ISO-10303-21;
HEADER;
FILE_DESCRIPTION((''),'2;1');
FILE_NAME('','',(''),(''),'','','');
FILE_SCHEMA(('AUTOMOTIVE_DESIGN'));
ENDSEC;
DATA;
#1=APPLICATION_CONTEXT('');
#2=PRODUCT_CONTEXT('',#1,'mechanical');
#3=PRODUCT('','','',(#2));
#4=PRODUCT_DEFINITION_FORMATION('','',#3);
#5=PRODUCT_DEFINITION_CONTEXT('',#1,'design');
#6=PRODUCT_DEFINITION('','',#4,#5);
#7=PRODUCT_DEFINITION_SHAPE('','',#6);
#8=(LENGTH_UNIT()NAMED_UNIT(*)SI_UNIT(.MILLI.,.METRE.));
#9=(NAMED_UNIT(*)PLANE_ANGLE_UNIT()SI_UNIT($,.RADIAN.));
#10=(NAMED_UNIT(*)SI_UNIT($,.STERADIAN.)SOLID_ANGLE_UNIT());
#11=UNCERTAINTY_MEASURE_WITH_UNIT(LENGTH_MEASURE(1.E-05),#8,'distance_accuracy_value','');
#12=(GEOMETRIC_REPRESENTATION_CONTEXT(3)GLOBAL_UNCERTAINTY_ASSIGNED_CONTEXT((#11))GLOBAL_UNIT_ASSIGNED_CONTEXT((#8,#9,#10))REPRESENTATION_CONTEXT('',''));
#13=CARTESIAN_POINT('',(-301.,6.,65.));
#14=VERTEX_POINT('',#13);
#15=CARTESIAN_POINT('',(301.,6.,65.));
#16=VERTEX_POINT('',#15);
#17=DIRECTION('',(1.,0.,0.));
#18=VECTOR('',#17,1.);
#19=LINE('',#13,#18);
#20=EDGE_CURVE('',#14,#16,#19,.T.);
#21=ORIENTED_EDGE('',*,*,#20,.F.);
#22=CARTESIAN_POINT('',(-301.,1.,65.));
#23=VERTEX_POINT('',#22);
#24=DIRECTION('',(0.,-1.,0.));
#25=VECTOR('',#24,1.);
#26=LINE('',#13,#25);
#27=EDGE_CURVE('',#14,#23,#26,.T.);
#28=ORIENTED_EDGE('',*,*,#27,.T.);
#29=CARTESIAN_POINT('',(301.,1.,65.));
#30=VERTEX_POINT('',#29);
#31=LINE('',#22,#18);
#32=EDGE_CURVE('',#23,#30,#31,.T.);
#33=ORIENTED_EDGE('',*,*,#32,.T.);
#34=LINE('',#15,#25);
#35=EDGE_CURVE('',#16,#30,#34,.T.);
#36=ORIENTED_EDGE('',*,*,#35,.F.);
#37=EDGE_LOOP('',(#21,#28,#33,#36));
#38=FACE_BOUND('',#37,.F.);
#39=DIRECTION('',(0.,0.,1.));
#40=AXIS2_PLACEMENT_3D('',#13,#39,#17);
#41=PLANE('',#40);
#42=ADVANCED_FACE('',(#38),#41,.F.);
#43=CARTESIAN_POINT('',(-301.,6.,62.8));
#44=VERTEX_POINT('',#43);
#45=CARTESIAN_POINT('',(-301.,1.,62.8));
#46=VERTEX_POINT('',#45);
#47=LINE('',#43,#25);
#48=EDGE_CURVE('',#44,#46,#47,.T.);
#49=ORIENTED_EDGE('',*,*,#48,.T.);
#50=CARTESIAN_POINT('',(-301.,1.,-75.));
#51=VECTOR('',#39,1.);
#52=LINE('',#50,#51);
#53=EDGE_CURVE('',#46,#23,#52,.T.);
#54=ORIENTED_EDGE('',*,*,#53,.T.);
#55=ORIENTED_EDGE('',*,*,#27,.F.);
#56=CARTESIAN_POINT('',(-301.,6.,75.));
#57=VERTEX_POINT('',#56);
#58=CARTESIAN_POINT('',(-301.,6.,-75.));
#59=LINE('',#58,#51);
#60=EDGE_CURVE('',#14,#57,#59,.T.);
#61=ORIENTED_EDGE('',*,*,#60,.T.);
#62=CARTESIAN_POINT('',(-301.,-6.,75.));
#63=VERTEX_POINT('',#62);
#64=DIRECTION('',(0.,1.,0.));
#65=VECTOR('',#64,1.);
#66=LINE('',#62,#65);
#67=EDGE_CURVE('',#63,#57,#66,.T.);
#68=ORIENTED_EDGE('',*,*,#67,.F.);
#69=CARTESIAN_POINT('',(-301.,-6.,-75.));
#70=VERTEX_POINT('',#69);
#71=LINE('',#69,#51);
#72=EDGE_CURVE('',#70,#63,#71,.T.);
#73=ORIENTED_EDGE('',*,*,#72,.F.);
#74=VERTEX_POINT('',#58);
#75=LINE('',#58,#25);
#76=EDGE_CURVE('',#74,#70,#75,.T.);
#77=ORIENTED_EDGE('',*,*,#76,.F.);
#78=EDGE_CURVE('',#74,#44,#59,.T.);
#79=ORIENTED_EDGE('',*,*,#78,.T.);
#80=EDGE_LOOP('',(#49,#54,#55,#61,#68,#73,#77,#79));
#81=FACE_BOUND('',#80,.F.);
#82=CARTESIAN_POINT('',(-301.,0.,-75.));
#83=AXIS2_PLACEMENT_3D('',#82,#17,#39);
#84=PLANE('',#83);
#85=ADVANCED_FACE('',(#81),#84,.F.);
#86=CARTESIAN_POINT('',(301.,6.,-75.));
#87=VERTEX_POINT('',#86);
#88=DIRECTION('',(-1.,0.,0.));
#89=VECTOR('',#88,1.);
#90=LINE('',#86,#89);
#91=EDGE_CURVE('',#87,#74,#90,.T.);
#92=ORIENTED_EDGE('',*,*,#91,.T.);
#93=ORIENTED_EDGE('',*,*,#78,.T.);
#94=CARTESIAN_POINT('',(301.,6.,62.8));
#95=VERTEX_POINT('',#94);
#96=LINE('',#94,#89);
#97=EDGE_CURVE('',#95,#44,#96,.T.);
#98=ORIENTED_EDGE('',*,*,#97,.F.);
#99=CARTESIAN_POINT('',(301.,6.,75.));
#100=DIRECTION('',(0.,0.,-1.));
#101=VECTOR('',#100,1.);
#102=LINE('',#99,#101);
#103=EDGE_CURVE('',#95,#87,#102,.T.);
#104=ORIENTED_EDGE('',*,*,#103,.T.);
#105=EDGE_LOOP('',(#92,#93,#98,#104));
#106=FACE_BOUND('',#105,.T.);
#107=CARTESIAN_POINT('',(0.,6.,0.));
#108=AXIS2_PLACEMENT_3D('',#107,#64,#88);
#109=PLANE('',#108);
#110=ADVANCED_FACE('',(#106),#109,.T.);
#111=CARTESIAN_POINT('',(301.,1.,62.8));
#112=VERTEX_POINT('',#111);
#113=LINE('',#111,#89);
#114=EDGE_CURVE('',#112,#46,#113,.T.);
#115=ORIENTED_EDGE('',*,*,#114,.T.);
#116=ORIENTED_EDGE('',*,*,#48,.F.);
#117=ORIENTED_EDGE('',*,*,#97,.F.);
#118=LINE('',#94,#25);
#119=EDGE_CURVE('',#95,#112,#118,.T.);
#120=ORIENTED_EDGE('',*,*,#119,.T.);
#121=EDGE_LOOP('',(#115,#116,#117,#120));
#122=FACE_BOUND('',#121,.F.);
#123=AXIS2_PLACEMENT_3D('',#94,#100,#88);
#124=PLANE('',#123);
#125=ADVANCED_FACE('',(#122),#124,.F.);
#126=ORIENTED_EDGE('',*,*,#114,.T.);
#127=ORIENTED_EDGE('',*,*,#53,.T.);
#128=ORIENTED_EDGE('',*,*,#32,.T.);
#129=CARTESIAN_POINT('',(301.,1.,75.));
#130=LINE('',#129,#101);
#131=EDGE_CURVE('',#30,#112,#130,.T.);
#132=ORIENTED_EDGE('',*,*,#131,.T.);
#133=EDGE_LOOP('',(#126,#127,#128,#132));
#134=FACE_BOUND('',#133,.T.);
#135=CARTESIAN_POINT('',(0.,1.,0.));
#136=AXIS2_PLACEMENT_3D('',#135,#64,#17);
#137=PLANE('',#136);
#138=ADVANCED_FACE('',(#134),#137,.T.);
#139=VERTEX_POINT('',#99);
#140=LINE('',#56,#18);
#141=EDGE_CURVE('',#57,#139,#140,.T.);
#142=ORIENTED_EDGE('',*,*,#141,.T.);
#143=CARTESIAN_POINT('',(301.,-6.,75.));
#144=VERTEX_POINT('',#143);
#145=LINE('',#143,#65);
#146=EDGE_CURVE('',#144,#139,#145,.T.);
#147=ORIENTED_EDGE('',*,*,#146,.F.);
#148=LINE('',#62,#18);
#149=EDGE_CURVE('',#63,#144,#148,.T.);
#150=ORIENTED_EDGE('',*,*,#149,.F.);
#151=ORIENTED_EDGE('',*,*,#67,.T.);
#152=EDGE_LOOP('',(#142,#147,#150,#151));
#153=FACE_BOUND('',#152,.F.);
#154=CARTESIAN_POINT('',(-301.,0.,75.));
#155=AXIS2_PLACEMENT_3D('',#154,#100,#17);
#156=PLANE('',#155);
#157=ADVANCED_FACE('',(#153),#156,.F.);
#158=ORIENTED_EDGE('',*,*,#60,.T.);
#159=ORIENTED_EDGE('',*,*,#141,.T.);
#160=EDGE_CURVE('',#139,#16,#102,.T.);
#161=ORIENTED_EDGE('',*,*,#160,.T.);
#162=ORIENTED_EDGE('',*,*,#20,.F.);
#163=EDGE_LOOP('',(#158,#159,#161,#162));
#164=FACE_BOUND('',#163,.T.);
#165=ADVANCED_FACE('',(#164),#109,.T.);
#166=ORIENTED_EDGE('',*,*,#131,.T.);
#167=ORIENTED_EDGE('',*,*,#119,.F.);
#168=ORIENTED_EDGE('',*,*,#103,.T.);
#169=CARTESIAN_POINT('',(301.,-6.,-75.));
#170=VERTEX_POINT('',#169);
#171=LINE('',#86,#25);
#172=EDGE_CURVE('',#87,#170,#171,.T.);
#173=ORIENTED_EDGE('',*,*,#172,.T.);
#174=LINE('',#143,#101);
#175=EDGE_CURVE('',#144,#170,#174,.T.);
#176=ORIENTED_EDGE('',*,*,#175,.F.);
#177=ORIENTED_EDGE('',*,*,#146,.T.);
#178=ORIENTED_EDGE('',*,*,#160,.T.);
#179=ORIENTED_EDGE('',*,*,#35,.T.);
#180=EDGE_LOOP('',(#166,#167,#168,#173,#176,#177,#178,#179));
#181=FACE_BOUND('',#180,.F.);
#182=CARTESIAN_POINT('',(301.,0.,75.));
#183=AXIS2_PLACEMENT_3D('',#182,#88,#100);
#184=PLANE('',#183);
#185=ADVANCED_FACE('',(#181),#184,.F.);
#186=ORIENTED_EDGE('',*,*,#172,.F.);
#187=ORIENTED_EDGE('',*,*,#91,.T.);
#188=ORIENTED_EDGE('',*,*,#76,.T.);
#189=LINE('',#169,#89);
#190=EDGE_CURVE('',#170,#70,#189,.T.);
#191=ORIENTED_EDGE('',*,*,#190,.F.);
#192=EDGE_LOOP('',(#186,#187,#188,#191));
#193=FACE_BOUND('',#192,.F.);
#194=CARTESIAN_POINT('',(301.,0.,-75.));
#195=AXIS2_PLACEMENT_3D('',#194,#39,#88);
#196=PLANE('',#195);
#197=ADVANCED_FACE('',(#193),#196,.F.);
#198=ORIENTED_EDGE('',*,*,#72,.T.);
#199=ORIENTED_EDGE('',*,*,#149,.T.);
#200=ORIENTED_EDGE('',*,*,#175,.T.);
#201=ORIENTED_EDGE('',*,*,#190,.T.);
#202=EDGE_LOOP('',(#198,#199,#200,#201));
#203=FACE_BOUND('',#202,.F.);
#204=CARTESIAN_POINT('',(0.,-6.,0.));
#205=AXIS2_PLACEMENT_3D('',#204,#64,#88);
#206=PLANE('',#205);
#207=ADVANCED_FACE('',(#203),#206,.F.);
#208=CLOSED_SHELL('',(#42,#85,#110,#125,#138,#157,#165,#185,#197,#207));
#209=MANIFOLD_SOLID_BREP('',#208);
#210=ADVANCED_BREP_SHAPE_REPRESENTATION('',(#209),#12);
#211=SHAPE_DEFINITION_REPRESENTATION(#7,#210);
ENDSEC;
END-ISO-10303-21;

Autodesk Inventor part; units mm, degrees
ref_plane "YZ Plane" through (0, 0, 0) normal (1, 0, 0) x (0, 1, 0)
ref_plane "XZ Plane" through (0, 0, 0) normal (0, 1, 0) x (-1, 0, 0)
ref_plane "XY Plane" through (0, 0, 0) normal (0, 0, 1) x (1, 0, 0)
sketch "Skizze1" plane through (0, 0, 0) normal (0, 1, 0) x (-1, 0, 0)
  line L0 (301, 75) -> (-301, 75)
  line L1 (-301, 75) -> (-301, -75)
  line L2 (-301, -75) -> (301, -75)
  line L3 (301, -75) -> (301, 75)
  point P0 (0, 0)
  point P1 (0, -75)
  point P2 (301, 0)
  dimension "d0" = 602
  dimension "d1" = 150
extrude "Extrusion1" add sketch "Skizze1" along normal mid plane 12
sketch "Skizze2" plane through (0, 6, 0) normal (0, 1, 0) x (1, 0, 0)
  line L0 (-301, 75) -> (-301, -75) projected
  line L1 (301, -75) -> (301, 75) projected
  line L2 (-301, -65) -> (301, -65)
  line L3 (301, -65) -> (301, -62.8)
  line L4 (301, -62.8) -> (-301, -62.8)
  line L5 (-301, -62.8) -> (-301, -65)
  line L6 (-301, -75) -> (301, -75) projected
  point P0 (0, 0)
  dimension "d4" = 10
  dimension "d5" = 2.2
extrude "Extrusion2" cut sketch "Skizze2" against normal blind 5 contours L4 L1 L2 L0
properties part number "Querseite_Gehäuse" material "Holz (Kirsche)"
